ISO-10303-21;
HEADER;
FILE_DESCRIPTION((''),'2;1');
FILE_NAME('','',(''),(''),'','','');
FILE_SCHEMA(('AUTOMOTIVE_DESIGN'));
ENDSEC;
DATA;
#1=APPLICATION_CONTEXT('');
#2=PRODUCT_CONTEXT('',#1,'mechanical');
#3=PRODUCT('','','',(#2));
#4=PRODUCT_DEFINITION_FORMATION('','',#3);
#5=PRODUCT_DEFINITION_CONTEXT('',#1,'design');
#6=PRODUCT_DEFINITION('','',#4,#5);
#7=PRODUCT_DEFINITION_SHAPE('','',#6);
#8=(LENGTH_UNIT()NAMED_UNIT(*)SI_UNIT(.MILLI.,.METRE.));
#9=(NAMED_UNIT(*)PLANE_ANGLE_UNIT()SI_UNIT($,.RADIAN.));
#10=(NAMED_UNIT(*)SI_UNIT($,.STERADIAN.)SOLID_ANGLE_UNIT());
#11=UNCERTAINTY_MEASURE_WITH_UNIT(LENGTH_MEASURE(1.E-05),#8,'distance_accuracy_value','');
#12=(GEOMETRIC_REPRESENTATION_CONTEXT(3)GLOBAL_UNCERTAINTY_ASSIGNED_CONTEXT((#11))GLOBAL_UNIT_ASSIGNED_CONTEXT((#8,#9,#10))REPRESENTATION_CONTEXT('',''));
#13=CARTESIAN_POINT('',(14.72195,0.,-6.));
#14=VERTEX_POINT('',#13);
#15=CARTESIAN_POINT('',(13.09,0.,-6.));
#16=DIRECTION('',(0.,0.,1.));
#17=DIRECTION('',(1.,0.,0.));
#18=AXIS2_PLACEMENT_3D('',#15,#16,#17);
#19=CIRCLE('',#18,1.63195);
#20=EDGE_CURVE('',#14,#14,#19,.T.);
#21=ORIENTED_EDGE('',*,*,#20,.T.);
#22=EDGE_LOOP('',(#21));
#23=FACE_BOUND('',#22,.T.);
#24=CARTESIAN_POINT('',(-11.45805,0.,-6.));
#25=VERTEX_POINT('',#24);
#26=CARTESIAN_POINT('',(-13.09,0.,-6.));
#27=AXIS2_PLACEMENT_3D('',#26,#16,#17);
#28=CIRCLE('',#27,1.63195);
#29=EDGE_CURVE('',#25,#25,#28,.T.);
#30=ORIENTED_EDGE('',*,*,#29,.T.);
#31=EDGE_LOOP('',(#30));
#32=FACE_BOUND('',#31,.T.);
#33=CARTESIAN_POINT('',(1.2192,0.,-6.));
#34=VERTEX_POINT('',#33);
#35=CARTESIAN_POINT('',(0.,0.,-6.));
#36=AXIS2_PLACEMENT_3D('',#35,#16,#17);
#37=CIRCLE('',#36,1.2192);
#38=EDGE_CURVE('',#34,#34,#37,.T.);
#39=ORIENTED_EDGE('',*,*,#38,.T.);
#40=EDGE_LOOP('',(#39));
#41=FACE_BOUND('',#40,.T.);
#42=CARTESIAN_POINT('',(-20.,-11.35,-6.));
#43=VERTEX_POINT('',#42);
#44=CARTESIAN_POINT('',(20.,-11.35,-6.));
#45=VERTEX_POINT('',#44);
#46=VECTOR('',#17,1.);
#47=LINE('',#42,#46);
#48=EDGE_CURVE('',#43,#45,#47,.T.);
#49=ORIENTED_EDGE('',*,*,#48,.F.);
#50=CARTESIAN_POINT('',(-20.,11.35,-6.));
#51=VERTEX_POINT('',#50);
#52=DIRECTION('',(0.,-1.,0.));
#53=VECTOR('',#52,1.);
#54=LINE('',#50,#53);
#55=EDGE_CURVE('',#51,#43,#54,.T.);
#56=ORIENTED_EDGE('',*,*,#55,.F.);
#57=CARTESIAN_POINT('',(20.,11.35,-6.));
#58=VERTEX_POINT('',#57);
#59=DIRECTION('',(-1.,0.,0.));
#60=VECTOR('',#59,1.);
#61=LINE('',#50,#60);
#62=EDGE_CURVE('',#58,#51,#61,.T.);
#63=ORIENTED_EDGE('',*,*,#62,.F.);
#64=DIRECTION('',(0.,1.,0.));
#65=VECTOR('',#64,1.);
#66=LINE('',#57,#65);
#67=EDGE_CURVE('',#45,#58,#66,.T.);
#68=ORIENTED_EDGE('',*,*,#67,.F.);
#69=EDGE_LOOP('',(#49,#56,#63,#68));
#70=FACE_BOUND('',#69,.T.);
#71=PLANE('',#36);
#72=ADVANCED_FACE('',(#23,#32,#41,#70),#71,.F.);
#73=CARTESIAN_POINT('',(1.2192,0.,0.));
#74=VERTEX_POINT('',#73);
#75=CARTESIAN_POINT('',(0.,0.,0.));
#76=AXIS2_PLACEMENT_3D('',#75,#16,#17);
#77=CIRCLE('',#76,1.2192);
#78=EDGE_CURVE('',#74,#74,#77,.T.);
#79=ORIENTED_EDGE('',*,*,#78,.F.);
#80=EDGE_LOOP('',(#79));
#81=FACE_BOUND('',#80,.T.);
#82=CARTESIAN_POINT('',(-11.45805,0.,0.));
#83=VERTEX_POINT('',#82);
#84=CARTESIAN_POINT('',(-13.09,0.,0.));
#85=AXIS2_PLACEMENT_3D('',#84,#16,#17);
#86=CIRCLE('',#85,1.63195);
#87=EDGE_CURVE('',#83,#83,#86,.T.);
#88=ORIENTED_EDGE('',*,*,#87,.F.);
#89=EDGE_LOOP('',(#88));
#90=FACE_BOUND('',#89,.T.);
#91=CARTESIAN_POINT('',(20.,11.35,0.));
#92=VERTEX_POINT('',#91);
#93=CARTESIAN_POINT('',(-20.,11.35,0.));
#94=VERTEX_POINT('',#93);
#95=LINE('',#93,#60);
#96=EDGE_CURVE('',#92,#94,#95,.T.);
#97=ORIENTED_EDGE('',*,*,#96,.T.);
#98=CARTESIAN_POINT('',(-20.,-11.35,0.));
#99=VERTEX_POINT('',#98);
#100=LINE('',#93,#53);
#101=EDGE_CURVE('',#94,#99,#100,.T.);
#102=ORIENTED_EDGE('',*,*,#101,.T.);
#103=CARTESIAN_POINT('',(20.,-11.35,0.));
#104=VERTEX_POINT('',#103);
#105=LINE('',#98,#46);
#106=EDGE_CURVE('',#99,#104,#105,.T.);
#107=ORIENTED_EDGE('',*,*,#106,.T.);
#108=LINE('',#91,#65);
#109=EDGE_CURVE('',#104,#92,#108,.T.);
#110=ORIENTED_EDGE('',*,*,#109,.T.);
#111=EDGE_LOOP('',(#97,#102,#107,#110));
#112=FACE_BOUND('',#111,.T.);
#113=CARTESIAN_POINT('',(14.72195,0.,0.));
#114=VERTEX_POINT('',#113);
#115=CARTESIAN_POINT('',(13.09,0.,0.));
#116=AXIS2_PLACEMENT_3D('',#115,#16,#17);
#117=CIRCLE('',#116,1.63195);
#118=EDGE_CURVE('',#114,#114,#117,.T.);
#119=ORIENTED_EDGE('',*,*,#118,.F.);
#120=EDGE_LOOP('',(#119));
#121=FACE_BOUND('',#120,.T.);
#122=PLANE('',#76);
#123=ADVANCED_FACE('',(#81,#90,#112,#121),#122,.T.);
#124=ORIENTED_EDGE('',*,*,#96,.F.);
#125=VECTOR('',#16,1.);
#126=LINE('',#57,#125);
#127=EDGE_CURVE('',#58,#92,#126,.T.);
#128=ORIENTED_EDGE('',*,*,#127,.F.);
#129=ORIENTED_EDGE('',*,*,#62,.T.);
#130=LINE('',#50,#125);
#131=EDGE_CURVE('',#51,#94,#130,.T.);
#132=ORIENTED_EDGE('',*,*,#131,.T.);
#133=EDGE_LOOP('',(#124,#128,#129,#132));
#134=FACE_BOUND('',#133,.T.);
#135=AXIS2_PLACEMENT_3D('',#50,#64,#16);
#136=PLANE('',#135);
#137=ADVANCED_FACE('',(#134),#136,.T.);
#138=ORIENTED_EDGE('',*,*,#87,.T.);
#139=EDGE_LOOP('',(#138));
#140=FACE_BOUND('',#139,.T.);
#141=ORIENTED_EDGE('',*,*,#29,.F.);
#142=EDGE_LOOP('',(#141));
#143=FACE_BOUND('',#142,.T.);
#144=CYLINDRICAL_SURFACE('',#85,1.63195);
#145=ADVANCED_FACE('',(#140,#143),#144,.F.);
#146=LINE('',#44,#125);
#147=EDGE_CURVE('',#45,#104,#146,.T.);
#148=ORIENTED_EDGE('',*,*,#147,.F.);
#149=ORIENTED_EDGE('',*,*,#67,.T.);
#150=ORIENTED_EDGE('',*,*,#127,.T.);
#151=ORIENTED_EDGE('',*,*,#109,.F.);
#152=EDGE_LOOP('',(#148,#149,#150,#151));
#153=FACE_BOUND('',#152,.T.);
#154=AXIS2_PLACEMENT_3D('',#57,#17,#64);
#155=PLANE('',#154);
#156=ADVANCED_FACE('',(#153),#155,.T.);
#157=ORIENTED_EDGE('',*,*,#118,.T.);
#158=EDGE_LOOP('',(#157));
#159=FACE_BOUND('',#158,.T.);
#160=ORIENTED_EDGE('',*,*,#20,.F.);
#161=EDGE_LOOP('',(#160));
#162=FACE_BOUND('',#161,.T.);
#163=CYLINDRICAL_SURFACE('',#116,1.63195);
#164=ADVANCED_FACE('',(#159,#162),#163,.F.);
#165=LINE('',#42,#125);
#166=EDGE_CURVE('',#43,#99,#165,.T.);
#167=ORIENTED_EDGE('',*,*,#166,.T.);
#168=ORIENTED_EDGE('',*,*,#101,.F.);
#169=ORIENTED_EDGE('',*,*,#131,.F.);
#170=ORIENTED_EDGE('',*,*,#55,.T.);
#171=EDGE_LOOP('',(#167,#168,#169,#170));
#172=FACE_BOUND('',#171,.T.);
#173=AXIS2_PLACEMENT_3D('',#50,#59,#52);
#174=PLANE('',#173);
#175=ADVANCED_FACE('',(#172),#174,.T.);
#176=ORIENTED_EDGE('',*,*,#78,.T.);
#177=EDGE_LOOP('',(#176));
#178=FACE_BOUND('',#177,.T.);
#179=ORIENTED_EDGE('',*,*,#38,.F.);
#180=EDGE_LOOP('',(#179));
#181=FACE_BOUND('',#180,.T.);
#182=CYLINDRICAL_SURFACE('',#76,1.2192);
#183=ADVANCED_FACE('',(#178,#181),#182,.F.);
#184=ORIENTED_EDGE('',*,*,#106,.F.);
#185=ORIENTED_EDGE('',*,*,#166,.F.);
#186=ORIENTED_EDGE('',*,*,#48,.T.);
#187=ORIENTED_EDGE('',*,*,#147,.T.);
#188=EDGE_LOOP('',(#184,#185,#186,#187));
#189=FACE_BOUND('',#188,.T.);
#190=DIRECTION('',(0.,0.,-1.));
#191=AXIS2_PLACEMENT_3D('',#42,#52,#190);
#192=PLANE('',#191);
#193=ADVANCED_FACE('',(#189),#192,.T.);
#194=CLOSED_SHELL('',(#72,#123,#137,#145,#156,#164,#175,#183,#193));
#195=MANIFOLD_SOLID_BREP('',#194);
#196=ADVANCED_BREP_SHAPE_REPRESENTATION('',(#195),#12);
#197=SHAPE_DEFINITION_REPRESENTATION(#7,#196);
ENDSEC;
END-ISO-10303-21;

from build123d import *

# Parameters (mm, degrees)
SKETCH1_W             = 40
SKETCH1_H             = 22.7
BOSS_EXTRUDE1_DEPTH   = 6
F_4_CLEARANCE_HOLE1_D = 3.2639
F_2_CLEARANCE_HOLE1_D = 2.4384


with BuildPart() as part:
    # Sketch1 → Boss-Extrude1 (new body)
    with BuildSketch(Plane.XY):
        Rectangle(SKETCH1_W, SKETCH1_H)
    extrude(amount=-BOSS_EXTRUDE1_DEPTH)

    # #4 Clearance Hole1 (through all)
    with Locations(Plane.XY):
        with Locations((-13.09, 0), (13.09, 0)):
            Hole(F_4_CLEARANCE_HOLE1_D / 2)

    # #2 Clearance Hole1 (through all)
    with Locations(Plane.XY):
        with Locations((0, 0)):
            Hole(F_2_CLEARANCE_HOLE1_D / 2)


solid = part.part
